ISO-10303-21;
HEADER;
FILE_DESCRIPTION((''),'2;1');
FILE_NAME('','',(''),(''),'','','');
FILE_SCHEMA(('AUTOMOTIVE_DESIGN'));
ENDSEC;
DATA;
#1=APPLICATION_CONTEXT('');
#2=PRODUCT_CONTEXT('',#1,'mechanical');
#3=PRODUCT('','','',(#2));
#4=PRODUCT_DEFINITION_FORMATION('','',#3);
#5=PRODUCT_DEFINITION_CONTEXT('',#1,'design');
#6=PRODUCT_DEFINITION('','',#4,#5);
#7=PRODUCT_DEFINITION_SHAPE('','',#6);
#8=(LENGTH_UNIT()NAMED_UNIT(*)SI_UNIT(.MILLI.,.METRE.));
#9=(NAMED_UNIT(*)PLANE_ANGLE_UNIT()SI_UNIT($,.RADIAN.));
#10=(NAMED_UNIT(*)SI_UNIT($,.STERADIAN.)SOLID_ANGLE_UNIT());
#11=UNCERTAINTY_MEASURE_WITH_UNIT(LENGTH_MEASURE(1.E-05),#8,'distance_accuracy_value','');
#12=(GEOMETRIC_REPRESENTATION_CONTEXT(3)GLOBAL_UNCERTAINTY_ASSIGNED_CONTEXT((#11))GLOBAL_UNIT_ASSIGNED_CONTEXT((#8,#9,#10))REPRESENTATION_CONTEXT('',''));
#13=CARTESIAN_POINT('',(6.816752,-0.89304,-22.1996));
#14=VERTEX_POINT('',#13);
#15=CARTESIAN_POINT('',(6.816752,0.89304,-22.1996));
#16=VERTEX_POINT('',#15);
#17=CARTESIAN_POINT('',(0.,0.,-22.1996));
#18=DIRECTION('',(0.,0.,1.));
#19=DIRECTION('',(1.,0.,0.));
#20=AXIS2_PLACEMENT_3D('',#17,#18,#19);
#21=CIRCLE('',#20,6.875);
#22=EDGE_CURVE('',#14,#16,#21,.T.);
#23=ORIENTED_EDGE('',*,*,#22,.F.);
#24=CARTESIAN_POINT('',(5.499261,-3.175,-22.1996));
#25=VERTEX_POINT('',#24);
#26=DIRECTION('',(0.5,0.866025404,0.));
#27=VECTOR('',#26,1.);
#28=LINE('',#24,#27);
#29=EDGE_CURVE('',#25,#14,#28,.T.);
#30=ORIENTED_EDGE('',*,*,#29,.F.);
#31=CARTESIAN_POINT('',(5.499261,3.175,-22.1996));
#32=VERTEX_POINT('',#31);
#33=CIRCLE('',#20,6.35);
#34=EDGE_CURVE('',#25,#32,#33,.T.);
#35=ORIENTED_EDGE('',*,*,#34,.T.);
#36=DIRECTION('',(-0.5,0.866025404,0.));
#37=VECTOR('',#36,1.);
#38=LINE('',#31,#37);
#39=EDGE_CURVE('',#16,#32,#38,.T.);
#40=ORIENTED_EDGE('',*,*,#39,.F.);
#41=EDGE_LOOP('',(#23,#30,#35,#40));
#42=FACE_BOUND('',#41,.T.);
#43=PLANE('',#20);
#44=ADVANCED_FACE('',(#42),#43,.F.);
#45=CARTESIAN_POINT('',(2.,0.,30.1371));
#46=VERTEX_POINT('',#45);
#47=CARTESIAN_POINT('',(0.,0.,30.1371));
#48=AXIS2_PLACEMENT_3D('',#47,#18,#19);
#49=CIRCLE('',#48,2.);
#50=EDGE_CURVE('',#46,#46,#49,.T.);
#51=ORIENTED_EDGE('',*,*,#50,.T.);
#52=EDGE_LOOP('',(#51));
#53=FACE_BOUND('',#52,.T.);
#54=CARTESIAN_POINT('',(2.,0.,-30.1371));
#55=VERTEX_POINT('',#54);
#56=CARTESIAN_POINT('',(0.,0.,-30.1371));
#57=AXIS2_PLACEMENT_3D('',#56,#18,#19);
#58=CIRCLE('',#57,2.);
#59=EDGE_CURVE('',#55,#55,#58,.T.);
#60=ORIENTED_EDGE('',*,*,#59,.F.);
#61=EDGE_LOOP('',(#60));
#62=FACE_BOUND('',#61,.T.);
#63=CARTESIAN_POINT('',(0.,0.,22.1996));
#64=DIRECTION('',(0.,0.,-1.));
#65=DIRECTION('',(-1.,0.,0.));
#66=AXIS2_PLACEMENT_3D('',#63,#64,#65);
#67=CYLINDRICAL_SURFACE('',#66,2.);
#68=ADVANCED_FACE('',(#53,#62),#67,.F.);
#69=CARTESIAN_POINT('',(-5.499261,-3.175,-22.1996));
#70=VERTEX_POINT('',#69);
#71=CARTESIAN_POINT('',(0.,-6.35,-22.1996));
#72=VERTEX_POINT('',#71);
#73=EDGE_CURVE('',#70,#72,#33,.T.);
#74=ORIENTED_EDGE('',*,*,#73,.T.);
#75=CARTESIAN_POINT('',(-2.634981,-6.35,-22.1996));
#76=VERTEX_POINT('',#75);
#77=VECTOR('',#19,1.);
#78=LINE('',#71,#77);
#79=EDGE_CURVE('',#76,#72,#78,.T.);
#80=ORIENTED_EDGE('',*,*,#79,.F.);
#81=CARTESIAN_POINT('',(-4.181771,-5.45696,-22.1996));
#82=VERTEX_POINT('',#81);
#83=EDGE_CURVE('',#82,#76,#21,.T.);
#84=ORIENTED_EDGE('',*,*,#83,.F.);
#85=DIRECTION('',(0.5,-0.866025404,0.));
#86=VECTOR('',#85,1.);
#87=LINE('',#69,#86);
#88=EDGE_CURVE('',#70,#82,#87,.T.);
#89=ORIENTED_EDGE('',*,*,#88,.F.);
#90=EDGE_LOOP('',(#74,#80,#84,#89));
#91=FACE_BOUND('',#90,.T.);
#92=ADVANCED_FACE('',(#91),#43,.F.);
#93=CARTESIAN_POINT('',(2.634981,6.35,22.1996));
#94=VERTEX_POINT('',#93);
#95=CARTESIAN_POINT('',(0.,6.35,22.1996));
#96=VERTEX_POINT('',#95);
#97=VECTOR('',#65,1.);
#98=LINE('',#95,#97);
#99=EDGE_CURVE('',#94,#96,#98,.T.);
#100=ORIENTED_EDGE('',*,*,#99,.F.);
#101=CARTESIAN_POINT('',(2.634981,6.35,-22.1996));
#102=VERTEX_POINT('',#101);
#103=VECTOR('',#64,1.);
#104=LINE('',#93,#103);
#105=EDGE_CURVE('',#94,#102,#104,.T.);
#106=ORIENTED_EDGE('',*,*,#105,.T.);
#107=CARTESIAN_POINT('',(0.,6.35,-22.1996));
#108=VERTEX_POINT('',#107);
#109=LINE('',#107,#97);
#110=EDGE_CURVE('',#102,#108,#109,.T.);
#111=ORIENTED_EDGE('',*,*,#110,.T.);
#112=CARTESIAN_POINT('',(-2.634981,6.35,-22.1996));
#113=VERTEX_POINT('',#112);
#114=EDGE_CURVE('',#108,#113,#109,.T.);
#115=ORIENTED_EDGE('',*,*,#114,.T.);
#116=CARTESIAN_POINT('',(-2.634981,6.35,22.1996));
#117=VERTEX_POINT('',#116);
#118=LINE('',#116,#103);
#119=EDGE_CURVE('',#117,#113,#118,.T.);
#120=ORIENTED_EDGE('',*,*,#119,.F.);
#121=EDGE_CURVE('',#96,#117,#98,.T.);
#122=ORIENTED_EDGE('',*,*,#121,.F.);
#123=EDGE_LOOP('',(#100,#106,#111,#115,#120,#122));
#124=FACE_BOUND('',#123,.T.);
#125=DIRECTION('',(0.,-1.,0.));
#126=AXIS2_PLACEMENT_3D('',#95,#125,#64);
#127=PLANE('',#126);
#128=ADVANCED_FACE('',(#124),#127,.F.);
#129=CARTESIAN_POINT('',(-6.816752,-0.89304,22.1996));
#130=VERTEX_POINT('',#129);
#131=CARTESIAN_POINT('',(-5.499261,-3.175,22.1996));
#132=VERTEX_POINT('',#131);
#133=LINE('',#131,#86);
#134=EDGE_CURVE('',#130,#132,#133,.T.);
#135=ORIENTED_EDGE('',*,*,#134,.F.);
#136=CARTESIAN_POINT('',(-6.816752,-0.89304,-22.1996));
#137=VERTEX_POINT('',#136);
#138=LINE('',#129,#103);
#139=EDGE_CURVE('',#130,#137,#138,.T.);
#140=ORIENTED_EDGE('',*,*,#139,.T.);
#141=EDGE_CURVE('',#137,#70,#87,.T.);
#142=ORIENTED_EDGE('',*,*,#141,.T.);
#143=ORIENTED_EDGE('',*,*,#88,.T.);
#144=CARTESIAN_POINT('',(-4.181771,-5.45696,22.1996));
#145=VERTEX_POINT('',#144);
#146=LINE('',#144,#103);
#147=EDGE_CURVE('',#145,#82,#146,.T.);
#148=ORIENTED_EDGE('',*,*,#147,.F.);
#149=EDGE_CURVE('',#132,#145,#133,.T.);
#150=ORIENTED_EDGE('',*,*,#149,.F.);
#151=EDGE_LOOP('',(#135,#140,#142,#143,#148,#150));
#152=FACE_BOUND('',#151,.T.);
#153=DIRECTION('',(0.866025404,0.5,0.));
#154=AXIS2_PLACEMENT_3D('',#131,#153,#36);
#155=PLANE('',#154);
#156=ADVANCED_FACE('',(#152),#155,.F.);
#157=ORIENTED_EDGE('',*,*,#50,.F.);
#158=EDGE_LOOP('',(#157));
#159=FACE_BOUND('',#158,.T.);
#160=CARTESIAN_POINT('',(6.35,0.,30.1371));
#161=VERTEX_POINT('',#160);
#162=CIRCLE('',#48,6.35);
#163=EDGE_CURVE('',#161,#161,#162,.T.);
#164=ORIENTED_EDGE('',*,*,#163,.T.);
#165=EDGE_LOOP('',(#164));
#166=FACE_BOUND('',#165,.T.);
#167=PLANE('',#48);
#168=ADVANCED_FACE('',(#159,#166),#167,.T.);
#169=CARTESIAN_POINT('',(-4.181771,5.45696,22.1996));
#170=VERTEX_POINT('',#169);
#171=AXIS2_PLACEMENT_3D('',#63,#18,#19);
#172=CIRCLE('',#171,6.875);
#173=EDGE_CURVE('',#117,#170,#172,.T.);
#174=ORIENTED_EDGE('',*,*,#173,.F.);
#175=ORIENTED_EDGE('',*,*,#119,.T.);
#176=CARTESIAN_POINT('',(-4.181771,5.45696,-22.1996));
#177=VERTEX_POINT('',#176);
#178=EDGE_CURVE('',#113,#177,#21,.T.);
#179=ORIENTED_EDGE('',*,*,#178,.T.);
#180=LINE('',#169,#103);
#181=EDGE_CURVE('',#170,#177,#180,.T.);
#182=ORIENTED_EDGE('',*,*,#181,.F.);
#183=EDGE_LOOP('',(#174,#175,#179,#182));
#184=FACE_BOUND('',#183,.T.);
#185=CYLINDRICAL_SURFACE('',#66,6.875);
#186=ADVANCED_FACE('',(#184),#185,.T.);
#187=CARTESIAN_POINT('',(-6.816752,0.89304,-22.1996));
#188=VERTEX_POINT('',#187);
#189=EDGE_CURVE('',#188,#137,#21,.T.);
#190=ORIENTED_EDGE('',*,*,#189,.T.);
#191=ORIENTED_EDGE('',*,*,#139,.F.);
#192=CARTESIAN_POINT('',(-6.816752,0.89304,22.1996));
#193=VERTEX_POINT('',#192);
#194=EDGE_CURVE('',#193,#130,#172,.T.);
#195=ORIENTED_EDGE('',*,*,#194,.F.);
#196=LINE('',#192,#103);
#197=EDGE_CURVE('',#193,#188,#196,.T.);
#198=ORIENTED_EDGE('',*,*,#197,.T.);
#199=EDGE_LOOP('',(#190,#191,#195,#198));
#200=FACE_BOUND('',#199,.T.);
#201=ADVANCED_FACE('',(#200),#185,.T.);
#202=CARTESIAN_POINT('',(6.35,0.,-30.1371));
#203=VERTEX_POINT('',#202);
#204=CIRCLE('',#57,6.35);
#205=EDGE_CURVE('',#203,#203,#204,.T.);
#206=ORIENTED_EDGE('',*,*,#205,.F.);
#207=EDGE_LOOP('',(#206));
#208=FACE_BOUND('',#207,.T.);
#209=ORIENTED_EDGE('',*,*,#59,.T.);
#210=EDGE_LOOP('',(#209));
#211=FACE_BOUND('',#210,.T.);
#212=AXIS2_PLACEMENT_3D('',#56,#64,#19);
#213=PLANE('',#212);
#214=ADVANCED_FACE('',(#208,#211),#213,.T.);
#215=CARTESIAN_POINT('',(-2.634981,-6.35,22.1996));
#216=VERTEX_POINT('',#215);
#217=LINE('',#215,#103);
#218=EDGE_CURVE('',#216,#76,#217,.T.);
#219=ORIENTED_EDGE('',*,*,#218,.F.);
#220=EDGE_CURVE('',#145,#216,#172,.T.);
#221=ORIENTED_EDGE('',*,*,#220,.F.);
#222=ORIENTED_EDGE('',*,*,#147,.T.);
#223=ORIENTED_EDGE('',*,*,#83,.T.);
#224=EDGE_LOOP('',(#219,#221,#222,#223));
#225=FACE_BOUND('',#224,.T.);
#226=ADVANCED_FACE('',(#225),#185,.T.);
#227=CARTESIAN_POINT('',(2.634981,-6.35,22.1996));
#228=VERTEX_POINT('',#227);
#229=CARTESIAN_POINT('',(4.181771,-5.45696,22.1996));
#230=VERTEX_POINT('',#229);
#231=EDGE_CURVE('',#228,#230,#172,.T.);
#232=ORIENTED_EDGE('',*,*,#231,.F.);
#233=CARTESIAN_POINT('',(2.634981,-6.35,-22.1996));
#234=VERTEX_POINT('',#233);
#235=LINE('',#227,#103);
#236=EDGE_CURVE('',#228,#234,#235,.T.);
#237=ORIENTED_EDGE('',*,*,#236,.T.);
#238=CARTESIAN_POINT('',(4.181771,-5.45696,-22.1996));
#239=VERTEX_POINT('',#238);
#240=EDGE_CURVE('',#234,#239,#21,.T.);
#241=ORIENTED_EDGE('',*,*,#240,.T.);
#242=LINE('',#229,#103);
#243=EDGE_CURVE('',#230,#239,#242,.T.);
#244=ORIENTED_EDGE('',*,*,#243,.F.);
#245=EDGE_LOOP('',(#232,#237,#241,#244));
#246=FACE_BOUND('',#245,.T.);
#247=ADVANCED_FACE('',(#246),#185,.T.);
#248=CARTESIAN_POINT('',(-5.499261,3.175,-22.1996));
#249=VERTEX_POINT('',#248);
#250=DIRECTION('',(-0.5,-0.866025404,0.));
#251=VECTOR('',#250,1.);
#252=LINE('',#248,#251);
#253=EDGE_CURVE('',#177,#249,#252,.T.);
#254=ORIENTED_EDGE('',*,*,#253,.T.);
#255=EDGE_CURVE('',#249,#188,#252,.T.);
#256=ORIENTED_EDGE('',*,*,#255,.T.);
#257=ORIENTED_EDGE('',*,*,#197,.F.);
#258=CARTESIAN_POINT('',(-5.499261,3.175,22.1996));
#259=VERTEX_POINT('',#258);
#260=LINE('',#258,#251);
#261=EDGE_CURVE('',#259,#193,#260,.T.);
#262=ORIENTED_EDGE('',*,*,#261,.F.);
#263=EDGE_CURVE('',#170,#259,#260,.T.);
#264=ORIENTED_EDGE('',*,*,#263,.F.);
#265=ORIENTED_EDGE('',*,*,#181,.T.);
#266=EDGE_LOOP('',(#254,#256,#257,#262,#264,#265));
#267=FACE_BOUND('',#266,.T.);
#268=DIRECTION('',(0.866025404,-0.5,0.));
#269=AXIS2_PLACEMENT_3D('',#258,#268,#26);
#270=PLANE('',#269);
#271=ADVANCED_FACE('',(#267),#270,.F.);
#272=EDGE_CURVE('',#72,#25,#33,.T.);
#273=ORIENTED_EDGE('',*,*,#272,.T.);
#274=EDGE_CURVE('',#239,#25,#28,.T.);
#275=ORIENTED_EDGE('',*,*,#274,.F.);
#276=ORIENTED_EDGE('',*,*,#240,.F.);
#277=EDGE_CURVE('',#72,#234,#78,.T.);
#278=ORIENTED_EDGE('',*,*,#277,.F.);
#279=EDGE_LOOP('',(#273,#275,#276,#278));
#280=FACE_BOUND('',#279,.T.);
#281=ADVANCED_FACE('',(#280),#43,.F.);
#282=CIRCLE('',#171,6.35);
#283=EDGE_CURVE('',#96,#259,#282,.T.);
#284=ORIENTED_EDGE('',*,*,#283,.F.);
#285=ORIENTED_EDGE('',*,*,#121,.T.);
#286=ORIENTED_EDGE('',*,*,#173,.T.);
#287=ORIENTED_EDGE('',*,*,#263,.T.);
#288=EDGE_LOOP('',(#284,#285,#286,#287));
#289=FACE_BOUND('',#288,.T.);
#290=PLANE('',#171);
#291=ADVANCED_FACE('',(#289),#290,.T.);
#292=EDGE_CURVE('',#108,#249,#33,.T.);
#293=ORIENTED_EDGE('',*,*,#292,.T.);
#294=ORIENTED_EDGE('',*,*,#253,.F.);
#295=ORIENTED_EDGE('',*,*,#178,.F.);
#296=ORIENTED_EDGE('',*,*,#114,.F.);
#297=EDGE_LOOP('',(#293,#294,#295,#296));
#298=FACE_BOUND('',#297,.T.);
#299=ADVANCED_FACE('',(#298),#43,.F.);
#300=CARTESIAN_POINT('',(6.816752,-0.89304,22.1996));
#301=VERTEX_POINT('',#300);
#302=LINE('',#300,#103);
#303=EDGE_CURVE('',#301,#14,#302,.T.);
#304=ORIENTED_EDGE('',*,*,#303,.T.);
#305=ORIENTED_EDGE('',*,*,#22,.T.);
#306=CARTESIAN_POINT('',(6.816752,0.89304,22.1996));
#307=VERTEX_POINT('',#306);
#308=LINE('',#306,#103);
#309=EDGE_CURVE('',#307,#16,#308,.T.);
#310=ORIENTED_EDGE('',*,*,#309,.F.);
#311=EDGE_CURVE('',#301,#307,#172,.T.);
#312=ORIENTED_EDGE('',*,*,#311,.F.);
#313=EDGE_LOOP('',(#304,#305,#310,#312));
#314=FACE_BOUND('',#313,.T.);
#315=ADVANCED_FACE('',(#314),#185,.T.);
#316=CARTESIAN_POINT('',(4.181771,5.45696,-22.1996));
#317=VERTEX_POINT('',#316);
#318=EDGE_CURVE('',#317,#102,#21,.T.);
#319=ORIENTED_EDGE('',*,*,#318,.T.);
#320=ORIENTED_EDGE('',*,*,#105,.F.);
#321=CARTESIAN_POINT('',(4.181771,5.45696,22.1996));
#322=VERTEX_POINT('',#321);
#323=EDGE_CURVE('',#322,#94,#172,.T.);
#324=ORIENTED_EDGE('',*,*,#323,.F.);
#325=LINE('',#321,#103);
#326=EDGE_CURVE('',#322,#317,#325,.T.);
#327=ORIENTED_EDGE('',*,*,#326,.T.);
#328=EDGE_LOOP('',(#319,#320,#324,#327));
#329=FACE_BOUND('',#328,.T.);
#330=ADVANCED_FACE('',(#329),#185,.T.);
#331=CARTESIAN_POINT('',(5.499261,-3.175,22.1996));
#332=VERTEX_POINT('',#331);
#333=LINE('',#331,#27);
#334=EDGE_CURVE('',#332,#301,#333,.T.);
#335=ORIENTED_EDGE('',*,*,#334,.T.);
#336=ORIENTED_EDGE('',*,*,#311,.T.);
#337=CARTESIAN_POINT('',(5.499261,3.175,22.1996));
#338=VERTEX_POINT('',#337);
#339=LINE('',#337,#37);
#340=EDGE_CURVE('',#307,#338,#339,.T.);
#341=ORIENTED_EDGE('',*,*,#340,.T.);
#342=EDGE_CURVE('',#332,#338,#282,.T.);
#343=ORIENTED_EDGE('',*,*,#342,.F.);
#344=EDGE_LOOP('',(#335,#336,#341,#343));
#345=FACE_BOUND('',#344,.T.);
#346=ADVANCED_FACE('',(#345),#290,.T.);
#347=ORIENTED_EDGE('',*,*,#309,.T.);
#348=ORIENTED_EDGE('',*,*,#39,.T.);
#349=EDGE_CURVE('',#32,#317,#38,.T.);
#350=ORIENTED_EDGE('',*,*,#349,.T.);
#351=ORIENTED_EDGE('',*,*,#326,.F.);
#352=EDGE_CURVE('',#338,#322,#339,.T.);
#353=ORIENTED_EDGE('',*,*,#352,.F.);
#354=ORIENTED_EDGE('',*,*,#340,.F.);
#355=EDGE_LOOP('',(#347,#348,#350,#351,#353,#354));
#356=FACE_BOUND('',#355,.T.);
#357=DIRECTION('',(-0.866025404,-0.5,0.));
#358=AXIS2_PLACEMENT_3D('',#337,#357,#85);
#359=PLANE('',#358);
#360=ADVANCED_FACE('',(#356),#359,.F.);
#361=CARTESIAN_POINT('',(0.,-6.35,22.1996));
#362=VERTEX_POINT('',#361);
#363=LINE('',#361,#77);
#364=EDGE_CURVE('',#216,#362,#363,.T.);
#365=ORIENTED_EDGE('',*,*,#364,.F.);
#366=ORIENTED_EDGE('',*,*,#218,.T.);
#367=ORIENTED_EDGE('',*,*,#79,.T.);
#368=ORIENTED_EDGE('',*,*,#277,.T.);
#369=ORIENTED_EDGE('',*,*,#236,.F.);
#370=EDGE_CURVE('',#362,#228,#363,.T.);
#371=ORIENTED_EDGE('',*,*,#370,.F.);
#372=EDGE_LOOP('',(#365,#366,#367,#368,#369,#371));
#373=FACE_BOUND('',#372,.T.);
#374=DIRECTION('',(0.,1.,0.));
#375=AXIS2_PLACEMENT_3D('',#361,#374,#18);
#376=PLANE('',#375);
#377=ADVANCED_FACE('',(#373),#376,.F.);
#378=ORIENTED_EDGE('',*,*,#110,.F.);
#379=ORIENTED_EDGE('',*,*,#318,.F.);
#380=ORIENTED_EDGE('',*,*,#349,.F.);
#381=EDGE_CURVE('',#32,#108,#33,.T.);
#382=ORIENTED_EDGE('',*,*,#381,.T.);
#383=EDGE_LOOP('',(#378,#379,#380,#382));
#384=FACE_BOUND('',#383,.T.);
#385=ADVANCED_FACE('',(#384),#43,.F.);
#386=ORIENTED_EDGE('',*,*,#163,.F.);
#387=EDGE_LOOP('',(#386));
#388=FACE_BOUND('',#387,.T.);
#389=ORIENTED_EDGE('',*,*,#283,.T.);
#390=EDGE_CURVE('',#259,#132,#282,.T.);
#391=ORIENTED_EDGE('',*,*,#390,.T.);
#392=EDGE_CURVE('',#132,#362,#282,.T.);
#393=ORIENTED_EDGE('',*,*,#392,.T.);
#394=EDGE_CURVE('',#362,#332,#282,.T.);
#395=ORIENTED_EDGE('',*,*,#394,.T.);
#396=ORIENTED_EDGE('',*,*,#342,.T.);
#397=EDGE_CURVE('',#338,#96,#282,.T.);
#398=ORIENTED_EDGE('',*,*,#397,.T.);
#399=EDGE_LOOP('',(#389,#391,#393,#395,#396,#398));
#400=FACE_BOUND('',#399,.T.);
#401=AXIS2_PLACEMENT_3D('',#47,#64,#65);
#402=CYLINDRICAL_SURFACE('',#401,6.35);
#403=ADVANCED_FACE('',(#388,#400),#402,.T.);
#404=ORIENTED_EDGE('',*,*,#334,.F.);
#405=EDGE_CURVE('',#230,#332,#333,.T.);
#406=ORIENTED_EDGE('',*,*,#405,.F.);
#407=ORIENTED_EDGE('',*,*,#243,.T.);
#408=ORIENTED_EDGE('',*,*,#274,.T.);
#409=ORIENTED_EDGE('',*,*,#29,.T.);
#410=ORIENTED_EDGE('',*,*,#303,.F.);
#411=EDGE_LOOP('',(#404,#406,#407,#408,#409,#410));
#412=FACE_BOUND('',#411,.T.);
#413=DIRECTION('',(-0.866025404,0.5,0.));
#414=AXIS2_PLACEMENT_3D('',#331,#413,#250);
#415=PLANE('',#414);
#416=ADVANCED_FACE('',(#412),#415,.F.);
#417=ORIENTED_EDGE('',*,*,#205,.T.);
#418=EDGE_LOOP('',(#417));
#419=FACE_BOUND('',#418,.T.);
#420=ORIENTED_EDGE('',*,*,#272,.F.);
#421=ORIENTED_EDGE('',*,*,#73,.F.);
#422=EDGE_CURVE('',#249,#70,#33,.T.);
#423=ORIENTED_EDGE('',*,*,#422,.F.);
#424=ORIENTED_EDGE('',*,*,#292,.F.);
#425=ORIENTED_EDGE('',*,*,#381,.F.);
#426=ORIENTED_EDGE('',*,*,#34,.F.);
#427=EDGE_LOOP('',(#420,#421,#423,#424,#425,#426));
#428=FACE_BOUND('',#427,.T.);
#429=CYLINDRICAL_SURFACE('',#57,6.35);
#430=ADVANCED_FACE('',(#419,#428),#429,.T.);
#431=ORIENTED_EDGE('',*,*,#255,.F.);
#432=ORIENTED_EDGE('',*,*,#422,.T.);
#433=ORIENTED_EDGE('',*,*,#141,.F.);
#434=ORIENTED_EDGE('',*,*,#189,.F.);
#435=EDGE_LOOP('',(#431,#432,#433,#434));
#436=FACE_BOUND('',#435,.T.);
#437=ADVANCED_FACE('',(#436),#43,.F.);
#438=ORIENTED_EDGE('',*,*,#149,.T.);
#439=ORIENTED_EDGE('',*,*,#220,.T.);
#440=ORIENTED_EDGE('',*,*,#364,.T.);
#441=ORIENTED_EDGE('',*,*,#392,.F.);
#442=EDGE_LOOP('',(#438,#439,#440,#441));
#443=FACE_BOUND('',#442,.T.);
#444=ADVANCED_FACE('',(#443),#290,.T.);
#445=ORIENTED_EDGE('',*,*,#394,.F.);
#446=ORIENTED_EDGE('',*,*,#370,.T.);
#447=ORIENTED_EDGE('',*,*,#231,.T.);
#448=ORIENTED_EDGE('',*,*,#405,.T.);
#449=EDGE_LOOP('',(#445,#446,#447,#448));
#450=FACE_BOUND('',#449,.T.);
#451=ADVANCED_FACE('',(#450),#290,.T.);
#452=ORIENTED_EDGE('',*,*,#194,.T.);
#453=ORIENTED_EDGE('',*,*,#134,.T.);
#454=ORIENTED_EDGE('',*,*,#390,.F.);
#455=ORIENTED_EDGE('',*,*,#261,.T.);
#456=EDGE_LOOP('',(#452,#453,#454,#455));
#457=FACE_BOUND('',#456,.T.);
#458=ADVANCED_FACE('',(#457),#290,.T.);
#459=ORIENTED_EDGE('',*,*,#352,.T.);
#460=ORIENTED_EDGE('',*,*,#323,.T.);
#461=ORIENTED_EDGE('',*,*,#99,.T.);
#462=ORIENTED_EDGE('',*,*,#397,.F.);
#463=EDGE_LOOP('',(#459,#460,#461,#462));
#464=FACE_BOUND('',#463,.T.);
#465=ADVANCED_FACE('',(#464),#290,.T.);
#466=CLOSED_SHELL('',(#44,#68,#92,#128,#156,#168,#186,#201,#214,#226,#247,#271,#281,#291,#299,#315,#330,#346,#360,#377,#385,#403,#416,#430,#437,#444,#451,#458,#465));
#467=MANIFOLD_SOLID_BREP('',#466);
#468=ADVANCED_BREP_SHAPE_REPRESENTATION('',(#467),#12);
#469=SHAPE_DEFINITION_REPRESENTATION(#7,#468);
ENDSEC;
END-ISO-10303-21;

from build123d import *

# Parameters (mm, degrees)
SKETCH1_R           = 2.000000064
BOSS_EXTRUDE1_DEPTH = 22.1996
SKETCH4_R           = 6.35
SKETCH4_R_2         = 2.000000064
BOSS_EXTRUDE2_DEPTH = 7.9375


with BuildPart() as part:
    # Sketch1 → Boss-Extrude1 (new, symmetric)
    with BuildSketch(Plane.XY):
        with BuildLine():
            ThreePointArc((4.181770846, 5.456960429), (3.437499983, 5.953924622), (2.634980936, 6.35))
            Line((2.634980936, 6.35), (-2.634980936, 6.35))
            ThreePointArc((-2.634980936, 6.35), (-3.437499983, 5.953924622), (-4.181770846, 5.456960429))
            Line((-4.181770846, 5.456960429), (-6.816751782, 0.893039571))
            ThreePointArc((-6.816751782, 0.893039571), (-6.874999966, 0), (-6.816751782, -0.893039571))
            Line((-6.816751782, -0.893039571), (-4.181770846, -5.456960429))
            ThreePointArc((-4.181770846, -5.456960429), (-3.437499983, -5.953924622), (-2.634980936, -6.35))
            Line((-2.634980936, -6.35), (2.634980936, -6.35))
            ThreePointArc((2.634980936, -6.35), (3.437499983, -5.953924622), (4.181770846, -5.456960429))
            Line((4.181770846, -5.456960429), (6.816751782, -0.893039571))
            ThreePointArc((6.816751782, -0.893039571), (6.860422465, -0.447468582), (6.874999966, 0))
            ThreePointArc((6.874999966, 0), (6.860422465, 0.447468582), (6.816751782, 0.893039571))
            Line((6.816751782, 0.893039571), (4.181770846, 5.456960429))
        make_face()
        Circle(SKETCH1_R, mode=Mode.SUBTRACT)
    extrude(amount=BOSS_EXTRUDE1_DEPTH, both=True)

    # Sketch4 → Boss-Extrude2 (add)
    with BuildSketch(Plane.XY.offset(22.1996)):
        with Locations(Location((0, 0, 0), (0, 0, 150))):
            Circle(SKETCH4_R)
        Circle(SKETCH4_R_2, mode=Mode.SUBTRACT)
    boss_extrude2 = extrude(amount=BOSS_EXTRUDE2_DEPTH)

    # Mirror1: Boss-Extrude2 across plane
    add(boss_extrude2.mirror(Plane.XY))


solid = part.part
